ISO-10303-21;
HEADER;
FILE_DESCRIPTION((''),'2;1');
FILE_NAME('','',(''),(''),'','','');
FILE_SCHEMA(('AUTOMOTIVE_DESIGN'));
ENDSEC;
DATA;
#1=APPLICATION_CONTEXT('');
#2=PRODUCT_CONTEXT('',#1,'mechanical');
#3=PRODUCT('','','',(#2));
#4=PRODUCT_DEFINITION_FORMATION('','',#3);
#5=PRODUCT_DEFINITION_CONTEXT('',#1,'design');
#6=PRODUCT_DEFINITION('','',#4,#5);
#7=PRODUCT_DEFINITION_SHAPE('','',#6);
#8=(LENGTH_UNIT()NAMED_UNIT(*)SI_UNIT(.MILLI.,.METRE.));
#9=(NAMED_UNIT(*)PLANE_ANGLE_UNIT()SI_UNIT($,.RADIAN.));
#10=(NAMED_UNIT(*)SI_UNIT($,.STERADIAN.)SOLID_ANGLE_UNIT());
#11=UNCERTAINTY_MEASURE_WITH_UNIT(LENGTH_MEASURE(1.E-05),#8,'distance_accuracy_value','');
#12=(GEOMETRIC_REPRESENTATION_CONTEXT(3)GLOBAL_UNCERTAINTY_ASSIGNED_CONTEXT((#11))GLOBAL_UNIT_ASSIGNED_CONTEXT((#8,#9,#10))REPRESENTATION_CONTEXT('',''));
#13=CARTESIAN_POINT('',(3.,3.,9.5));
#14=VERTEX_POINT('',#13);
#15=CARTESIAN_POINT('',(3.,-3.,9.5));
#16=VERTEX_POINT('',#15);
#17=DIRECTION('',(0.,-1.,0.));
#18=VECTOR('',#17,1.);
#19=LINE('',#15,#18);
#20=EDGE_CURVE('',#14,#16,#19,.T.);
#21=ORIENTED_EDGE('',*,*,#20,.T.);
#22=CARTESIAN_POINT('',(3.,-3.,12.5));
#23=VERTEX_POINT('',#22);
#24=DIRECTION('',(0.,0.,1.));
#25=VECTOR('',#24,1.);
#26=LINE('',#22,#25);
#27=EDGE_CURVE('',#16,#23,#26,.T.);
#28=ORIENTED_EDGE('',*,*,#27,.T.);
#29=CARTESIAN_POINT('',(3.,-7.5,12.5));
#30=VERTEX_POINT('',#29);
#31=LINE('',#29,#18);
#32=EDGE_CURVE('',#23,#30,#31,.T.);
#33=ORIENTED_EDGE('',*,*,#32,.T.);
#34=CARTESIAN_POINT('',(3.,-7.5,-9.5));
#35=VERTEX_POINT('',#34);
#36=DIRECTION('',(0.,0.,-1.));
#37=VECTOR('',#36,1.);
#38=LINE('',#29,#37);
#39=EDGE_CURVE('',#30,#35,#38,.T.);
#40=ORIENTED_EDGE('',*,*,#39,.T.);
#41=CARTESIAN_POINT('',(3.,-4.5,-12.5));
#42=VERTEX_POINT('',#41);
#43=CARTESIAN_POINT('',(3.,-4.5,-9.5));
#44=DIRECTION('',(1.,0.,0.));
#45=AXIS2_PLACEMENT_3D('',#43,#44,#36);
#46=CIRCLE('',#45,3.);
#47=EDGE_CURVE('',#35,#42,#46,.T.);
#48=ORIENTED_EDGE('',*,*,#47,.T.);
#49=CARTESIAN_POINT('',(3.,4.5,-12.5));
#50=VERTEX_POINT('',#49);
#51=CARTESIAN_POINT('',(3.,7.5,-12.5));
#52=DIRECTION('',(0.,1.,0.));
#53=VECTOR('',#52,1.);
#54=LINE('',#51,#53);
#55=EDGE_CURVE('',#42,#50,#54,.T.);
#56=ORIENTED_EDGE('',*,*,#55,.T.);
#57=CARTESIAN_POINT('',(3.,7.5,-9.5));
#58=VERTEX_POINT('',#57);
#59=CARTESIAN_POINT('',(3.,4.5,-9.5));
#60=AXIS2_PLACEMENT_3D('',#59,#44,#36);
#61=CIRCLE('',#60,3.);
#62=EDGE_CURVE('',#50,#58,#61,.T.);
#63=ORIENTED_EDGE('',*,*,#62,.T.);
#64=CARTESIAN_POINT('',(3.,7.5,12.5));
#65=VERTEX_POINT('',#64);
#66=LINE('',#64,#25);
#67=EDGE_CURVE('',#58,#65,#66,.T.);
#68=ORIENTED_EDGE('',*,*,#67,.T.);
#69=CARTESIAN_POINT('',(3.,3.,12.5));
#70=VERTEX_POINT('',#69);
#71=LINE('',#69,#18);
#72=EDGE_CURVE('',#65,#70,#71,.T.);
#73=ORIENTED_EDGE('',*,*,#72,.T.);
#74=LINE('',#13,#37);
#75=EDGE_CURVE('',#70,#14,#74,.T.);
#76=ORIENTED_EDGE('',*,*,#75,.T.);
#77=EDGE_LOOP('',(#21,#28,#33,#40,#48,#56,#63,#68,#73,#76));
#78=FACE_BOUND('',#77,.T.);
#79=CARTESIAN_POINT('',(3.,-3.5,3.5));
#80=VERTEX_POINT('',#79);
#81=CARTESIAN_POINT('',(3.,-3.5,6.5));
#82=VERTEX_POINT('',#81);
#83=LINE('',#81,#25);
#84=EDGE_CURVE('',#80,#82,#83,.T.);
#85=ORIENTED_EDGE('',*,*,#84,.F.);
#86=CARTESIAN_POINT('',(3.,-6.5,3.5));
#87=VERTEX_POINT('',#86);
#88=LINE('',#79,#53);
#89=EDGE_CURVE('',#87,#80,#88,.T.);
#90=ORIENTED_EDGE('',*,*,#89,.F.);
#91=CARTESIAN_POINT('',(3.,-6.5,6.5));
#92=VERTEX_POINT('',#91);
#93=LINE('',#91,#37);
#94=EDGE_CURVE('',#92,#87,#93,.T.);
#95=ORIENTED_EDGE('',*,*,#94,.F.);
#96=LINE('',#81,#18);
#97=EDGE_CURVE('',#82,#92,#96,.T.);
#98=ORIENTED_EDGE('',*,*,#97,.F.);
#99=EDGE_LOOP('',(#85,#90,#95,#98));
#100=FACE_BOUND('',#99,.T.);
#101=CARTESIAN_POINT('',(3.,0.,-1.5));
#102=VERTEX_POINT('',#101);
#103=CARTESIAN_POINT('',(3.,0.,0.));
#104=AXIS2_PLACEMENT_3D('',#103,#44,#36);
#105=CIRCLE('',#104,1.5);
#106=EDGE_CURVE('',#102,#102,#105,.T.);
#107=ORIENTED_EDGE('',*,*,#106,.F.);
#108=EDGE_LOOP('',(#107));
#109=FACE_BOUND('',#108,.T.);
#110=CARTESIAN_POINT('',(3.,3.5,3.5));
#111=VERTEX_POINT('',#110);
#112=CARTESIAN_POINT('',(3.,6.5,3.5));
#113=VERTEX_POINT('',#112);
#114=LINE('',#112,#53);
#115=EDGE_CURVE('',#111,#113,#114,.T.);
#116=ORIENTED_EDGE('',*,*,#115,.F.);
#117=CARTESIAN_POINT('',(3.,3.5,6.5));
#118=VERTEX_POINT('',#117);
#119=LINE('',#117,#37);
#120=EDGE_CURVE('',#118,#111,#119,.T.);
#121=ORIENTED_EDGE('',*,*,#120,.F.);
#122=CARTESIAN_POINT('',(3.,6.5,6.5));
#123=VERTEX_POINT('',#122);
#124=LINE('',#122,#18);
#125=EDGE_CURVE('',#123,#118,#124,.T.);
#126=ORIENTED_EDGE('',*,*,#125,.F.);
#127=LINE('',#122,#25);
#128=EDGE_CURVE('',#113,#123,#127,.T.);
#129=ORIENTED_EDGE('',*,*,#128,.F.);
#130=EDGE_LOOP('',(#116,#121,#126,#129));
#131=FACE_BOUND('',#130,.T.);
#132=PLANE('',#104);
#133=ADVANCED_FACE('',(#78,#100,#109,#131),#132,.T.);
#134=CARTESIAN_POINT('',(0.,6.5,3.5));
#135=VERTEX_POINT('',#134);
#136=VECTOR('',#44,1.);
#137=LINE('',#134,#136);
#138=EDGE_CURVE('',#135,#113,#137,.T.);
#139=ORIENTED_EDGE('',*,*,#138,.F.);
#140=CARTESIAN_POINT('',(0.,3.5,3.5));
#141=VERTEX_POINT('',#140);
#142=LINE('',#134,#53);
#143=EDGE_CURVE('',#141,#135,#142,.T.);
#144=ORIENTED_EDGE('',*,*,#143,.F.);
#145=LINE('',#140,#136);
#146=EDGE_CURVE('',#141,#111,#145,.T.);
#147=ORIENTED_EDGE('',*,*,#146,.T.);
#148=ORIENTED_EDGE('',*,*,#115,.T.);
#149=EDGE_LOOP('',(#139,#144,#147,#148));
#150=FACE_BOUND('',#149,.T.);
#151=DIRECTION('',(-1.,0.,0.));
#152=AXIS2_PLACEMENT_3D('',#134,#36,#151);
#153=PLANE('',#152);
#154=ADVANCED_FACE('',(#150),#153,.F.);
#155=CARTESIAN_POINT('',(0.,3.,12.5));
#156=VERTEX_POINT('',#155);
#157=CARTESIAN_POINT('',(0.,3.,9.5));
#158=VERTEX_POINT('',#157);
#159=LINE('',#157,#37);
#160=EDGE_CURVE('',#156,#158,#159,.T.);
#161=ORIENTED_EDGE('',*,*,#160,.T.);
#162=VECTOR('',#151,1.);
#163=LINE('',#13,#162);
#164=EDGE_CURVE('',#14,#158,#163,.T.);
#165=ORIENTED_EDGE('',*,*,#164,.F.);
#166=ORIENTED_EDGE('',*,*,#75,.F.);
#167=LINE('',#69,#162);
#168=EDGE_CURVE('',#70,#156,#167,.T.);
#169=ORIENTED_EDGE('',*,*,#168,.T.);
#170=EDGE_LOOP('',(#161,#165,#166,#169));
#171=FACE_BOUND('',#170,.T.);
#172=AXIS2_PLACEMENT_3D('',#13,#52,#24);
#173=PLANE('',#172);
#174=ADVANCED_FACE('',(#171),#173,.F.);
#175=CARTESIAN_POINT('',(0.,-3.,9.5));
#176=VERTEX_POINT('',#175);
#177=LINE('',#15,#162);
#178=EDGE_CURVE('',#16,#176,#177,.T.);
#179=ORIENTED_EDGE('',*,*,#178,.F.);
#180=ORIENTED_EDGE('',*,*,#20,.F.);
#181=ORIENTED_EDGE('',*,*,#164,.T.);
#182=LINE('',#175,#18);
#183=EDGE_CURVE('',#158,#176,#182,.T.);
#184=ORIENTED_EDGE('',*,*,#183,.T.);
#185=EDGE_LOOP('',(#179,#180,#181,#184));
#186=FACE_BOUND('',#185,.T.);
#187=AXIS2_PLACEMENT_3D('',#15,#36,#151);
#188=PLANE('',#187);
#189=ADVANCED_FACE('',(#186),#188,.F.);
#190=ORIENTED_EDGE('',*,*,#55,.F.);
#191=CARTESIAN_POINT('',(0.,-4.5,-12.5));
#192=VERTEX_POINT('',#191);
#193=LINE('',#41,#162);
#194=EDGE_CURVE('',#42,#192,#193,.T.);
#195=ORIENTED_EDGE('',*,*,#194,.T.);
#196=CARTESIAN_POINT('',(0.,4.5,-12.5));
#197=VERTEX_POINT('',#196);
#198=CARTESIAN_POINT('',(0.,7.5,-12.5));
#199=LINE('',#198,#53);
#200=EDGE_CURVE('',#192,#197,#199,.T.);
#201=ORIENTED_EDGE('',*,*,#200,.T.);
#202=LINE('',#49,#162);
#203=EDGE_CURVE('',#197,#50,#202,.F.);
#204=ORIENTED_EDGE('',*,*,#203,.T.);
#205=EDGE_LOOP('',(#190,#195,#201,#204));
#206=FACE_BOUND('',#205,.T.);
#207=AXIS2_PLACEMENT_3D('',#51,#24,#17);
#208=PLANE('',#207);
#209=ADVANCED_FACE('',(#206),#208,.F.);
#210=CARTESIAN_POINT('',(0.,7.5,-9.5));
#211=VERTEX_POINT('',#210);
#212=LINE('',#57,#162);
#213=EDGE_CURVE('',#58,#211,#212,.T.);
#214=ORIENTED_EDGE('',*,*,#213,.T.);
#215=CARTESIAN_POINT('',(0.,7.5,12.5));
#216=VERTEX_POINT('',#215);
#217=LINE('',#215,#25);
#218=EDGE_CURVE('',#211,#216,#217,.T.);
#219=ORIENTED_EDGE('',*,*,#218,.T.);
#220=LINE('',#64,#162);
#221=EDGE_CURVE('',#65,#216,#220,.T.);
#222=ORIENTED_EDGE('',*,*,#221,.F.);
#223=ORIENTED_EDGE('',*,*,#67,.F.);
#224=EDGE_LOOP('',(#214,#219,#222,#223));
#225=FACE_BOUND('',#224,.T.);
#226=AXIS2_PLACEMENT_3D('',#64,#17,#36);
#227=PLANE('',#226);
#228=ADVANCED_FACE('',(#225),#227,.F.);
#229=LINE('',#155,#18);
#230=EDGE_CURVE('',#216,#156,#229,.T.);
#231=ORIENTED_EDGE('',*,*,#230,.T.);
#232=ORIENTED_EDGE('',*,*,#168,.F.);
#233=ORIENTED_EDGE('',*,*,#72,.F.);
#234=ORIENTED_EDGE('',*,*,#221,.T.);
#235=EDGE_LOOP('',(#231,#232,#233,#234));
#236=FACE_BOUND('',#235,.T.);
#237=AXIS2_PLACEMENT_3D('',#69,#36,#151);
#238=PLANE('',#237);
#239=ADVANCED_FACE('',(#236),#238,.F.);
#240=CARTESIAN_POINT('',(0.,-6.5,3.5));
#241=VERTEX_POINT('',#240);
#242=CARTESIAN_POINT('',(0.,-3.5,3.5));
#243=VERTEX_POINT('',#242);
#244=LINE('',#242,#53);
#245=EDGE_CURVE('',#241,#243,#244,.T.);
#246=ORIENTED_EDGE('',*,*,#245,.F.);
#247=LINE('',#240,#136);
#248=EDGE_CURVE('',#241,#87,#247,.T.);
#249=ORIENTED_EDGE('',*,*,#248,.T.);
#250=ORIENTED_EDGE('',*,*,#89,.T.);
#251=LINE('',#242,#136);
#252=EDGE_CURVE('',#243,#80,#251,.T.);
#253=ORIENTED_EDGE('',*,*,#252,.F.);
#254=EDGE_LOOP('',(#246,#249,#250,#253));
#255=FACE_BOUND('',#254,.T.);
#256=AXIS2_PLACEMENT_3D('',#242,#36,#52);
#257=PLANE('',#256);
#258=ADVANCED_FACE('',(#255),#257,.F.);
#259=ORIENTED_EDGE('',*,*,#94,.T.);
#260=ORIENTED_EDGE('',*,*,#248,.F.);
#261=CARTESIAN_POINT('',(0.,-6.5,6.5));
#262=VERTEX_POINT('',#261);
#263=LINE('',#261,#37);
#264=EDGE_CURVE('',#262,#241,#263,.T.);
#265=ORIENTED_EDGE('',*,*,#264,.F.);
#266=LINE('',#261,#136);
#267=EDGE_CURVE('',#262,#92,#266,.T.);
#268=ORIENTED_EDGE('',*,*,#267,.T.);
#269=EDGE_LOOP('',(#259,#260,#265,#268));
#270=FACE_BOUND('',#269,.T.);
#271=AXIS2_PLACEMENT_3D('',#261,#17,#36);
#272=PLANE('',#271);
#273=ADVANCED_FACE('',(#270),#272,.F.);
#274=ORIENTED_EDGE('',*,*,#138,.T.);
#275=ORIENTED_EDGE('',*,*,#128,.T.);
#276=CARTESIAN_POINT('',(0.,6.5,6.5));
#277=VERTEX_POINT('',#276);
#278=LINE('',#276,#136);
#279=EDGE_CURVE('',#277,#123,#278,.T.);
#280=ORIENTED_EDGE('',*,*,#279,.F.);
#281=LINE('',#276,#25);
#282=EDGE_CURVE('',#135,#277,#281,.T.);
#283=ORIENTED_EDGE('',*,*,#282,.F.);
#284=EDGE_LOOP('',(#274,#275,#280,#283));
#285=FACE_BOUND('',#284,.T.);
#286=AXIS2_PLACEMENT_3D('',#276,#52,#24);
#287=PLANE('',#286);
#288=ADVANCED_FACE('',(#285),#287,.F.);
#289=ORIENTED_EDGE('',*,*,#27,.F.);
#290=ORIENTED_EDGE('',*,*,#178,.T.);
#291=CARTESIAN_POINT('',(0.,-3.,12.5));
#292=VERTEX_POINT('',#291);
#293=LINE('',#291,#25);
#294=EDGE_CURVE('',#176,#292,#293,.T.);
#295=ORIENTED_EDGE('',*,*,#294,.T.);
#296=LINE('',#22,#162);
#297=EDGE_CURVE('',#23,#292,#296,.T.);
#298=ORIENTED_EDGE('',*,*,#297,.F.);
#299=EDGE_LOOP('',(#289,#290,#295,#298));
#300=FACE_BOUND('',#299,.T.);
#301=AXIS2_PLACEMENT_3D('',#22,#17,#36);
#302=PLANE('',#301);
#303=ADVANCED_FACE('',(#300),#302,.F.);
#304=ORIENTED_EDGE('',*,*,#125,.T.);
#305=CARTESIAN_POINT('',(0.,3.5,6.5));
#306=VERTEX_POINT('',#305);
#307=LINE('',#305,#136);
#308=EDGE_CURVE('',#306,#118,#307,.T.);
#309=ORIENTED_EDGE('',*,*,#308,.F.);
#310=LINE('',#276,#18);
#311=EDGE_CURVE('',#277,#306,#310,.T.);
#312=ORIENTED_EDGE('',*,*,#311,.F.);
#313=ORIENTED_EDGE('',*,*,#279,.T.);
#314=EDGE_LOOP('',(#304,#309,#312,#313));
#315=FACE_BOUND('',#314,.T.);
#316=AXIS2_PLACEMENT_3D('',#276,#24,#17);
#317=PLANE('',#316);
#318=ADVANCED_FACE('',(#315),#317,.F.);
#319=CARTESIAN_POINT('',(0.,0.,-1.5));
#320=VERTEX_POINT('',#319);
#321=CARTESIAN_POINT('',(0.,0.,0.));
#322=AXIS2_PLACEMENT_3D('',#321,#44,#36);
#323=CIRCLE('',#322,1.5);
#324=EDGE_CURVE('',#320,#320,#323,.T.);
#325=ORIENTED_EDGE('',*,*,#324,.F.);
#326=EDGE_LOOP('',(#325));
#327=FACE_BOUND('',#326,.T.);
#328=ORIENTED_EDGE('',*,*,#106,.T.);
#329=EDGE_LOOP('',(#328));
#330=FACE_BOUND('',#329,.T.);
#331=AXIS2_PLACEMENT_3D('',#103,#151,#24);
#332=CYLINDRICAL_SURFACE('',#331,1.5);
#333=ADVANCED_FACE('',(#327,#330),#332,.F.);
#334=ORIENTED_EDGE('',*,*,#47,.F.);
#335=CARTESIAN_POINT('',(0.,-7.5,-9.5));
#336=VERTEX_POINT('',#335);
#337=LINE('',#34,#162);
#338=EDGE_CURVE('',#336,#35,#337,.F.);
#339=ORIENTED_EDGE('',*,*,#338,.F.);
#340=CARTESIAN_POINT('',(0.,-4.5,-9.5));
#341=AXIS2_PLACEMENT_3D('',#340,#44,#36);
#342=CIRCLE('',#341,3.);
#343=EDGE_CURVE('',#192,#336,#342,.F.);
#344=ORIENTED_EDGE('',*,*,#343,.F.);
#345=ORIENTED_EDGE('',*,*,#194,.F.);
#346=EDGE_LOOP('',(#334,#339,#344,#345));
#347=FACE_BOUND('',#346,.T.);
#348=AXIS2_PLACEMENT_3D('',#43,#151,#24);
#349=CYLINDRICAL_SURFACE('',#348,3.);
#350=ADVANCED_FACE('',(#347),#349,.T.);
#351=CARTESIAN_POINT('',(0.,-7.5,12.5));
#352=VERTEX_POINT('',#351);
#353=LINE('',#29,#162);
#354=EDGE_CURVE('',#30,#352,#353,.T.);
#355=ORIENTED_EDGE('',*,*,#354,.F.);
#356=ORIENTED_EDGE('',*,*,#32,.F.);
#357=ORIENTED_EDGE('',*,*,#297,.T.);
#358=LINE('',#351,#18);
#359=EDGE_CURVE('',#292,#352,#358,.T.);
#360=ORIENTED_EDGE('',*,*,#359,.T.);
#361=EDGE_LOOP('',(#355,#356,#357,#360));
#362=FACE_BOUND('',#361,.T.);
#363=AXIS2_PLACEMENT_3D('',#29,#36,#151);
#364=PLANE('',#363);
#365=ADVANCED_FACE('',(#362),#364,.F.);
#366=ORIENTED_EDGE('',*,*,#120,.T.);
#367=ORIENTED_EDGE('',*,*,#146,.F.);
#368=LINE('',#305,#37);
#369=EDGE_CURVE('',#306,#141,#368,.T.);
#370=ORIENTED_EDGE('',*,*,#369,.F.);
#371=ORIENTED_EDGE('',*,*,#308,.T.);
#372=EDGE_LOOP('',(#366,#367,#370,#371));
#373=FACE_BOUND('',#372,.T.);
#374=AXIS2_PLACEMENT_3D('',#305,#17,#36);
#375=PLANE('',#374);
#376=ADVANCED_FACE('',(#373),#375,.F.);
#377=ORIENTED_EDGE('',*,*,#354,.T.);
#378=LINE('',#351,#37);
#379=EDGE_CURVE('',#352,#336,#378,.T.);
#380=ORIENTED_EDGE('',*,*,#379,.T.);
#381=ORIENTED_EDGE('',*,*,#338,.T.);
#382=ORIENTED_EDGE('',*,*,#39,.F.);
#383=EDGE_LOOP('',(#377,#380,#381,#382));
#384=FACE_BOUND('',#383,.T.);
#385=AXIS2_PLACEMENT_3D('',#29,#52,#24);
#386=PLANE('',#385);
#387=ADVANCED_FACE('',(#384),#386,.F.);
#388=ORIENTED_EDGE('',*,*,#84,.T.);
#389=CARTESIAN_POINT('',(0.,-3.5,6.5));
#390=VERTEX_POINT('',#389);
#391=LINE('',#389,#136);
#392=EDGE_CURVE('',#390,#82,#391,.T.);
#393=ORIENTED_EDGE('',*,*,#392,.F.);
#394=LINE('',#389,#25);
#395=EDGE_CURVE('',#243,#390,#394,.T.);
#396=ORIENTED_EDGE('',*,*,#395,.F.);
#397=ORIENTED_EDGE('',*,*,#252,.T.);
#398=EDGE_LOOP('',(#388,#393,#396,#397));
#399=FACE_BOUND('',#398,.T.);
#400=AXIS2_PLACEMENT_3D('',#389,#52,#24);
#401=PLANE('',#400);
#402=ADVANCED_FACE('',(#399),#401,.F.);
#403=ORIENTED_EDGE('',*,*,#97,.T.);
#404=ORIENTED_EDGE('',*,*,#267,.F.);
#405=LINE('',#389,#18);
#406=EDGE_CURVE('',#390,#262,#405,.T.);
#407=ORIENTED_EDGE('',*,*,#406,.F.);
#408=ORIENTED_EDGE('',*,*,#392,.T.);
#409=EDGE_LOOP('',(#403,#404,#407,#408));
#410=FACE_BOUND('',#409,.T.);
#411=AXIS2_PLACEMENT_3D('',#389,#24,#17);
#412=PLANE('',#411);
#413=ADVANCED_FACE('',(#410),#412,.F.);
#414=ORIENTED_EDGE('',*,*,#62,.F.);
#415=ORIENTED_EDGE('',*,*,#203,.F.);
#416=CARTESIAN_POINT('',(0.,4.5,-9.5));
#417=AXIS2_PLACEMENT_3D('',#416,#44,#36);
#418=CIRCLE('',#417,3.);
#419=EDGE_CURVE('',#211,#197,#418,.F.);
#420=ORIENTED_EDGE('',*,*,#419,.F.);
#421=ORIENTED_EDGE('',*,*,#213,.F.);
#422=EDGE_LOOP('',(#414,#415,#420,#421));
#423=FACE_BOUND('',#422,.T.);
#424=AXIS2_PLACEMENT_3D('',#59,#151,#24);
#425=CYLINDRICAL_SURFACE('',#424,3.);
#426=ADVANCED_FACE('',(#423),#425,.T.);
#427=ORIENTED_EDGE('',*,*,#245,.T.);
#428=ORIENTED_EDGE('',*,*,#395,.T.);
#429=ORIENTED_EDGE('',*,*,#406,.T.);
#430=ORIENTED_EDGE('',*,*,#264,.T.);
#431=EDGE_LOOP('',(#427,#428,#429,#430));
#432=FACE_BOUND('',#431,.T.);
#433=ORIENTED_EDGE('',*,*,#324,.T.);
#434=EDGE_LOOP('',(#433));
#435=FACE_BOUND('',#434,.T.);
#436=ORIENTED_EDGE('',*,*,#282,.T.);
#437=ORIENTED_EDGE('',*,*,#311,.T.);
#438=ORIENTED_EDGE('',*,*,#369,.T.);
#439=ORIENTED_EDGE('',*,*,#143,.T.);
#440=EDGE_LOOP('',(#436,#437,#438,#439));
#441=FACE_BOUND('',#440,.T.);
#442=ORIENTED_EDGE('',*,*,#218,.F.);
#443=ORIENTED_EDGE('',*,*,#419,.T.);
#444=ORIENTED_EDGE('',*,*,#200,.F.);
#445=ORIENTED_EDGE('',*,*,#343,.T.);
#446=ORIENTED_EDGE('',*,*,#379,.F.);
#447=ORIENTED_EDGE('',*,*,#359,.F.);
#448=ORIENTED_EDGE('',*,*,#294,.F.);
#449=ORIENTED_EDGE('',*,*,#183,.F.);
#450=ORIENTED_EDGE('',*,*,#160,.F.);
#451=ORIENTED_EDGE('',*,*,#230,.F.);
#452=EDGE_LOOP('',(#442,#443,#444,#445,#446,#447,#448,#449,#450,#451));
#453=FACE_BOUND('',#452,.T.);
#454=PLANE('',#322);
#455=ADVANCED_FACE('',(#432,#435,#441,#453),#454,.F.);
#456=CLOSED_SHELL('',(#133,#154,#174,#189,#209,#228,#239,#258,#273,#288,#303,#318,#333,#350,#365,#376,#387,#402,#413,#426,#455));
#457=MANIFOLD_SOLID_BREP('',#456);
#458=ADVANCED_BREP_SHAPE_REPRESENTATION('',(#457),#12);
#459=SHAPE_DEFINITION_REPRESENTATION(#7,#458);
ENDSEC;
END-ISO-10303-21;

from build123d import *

# Parameters (mm, degrees)
SKETCH1_R           = 1.5
BOSS_EXTRUDE1_DEPTH = 3
SKETCH2_W           = 3
SKETCH2_H           = 3
CUT_EXTRUDE1_DEPTH  = 3
FILLET1_R           = 3


with BuildPart() as part:
    # Sketch1 → Boss-Extrude1 (new body)
    with BuildSketch(Plane(origin=(0, 0, 0), x_dir=(0, 0, -1), z_dir=(1, 0, 0))):
        Polygon((-12.5, -7.5), (-12.5, -3), (-9.5, -3), (-9.5, 3), (-12.5, 3), (-12.5, 7.5), (12.5, 7.5), (12.5, -7.5), align=None)
        Circle(SKETCH1_R, mode=Mode.SUBTRACT)
    extrude(amount=BOSS_EXTRUDE1_DEPTH)

    # Sketch2 → Cut-Extrude1 (cut)
    with BuildSketch(Plane(origin=(3, 0, 0), x_dir=(0, 0, -1), z_dir=(1, 0, 0))):
        with Locations((-5, 5)):
            Rectangle(SKETCH2_W, SKETCH2_H)
        with Locations((-5, -5)):
            Rectangle(SKETCH2_W, SKETCH2_H)
    extrude(amount=-CUT_EXTRUDE1_DEPTH, mode=Mode.SUBTRACT)

    # Fillet1
    fillet1_edges = [part.edges().sort_by_distance(p)[0] for p in [
        (1.5, -7.5, -12.5),
        (1.5, 7.5, -12.5),
    ]]
    fillet(fillet1_edges, radius=FILLET1_R)


solid = part.part
